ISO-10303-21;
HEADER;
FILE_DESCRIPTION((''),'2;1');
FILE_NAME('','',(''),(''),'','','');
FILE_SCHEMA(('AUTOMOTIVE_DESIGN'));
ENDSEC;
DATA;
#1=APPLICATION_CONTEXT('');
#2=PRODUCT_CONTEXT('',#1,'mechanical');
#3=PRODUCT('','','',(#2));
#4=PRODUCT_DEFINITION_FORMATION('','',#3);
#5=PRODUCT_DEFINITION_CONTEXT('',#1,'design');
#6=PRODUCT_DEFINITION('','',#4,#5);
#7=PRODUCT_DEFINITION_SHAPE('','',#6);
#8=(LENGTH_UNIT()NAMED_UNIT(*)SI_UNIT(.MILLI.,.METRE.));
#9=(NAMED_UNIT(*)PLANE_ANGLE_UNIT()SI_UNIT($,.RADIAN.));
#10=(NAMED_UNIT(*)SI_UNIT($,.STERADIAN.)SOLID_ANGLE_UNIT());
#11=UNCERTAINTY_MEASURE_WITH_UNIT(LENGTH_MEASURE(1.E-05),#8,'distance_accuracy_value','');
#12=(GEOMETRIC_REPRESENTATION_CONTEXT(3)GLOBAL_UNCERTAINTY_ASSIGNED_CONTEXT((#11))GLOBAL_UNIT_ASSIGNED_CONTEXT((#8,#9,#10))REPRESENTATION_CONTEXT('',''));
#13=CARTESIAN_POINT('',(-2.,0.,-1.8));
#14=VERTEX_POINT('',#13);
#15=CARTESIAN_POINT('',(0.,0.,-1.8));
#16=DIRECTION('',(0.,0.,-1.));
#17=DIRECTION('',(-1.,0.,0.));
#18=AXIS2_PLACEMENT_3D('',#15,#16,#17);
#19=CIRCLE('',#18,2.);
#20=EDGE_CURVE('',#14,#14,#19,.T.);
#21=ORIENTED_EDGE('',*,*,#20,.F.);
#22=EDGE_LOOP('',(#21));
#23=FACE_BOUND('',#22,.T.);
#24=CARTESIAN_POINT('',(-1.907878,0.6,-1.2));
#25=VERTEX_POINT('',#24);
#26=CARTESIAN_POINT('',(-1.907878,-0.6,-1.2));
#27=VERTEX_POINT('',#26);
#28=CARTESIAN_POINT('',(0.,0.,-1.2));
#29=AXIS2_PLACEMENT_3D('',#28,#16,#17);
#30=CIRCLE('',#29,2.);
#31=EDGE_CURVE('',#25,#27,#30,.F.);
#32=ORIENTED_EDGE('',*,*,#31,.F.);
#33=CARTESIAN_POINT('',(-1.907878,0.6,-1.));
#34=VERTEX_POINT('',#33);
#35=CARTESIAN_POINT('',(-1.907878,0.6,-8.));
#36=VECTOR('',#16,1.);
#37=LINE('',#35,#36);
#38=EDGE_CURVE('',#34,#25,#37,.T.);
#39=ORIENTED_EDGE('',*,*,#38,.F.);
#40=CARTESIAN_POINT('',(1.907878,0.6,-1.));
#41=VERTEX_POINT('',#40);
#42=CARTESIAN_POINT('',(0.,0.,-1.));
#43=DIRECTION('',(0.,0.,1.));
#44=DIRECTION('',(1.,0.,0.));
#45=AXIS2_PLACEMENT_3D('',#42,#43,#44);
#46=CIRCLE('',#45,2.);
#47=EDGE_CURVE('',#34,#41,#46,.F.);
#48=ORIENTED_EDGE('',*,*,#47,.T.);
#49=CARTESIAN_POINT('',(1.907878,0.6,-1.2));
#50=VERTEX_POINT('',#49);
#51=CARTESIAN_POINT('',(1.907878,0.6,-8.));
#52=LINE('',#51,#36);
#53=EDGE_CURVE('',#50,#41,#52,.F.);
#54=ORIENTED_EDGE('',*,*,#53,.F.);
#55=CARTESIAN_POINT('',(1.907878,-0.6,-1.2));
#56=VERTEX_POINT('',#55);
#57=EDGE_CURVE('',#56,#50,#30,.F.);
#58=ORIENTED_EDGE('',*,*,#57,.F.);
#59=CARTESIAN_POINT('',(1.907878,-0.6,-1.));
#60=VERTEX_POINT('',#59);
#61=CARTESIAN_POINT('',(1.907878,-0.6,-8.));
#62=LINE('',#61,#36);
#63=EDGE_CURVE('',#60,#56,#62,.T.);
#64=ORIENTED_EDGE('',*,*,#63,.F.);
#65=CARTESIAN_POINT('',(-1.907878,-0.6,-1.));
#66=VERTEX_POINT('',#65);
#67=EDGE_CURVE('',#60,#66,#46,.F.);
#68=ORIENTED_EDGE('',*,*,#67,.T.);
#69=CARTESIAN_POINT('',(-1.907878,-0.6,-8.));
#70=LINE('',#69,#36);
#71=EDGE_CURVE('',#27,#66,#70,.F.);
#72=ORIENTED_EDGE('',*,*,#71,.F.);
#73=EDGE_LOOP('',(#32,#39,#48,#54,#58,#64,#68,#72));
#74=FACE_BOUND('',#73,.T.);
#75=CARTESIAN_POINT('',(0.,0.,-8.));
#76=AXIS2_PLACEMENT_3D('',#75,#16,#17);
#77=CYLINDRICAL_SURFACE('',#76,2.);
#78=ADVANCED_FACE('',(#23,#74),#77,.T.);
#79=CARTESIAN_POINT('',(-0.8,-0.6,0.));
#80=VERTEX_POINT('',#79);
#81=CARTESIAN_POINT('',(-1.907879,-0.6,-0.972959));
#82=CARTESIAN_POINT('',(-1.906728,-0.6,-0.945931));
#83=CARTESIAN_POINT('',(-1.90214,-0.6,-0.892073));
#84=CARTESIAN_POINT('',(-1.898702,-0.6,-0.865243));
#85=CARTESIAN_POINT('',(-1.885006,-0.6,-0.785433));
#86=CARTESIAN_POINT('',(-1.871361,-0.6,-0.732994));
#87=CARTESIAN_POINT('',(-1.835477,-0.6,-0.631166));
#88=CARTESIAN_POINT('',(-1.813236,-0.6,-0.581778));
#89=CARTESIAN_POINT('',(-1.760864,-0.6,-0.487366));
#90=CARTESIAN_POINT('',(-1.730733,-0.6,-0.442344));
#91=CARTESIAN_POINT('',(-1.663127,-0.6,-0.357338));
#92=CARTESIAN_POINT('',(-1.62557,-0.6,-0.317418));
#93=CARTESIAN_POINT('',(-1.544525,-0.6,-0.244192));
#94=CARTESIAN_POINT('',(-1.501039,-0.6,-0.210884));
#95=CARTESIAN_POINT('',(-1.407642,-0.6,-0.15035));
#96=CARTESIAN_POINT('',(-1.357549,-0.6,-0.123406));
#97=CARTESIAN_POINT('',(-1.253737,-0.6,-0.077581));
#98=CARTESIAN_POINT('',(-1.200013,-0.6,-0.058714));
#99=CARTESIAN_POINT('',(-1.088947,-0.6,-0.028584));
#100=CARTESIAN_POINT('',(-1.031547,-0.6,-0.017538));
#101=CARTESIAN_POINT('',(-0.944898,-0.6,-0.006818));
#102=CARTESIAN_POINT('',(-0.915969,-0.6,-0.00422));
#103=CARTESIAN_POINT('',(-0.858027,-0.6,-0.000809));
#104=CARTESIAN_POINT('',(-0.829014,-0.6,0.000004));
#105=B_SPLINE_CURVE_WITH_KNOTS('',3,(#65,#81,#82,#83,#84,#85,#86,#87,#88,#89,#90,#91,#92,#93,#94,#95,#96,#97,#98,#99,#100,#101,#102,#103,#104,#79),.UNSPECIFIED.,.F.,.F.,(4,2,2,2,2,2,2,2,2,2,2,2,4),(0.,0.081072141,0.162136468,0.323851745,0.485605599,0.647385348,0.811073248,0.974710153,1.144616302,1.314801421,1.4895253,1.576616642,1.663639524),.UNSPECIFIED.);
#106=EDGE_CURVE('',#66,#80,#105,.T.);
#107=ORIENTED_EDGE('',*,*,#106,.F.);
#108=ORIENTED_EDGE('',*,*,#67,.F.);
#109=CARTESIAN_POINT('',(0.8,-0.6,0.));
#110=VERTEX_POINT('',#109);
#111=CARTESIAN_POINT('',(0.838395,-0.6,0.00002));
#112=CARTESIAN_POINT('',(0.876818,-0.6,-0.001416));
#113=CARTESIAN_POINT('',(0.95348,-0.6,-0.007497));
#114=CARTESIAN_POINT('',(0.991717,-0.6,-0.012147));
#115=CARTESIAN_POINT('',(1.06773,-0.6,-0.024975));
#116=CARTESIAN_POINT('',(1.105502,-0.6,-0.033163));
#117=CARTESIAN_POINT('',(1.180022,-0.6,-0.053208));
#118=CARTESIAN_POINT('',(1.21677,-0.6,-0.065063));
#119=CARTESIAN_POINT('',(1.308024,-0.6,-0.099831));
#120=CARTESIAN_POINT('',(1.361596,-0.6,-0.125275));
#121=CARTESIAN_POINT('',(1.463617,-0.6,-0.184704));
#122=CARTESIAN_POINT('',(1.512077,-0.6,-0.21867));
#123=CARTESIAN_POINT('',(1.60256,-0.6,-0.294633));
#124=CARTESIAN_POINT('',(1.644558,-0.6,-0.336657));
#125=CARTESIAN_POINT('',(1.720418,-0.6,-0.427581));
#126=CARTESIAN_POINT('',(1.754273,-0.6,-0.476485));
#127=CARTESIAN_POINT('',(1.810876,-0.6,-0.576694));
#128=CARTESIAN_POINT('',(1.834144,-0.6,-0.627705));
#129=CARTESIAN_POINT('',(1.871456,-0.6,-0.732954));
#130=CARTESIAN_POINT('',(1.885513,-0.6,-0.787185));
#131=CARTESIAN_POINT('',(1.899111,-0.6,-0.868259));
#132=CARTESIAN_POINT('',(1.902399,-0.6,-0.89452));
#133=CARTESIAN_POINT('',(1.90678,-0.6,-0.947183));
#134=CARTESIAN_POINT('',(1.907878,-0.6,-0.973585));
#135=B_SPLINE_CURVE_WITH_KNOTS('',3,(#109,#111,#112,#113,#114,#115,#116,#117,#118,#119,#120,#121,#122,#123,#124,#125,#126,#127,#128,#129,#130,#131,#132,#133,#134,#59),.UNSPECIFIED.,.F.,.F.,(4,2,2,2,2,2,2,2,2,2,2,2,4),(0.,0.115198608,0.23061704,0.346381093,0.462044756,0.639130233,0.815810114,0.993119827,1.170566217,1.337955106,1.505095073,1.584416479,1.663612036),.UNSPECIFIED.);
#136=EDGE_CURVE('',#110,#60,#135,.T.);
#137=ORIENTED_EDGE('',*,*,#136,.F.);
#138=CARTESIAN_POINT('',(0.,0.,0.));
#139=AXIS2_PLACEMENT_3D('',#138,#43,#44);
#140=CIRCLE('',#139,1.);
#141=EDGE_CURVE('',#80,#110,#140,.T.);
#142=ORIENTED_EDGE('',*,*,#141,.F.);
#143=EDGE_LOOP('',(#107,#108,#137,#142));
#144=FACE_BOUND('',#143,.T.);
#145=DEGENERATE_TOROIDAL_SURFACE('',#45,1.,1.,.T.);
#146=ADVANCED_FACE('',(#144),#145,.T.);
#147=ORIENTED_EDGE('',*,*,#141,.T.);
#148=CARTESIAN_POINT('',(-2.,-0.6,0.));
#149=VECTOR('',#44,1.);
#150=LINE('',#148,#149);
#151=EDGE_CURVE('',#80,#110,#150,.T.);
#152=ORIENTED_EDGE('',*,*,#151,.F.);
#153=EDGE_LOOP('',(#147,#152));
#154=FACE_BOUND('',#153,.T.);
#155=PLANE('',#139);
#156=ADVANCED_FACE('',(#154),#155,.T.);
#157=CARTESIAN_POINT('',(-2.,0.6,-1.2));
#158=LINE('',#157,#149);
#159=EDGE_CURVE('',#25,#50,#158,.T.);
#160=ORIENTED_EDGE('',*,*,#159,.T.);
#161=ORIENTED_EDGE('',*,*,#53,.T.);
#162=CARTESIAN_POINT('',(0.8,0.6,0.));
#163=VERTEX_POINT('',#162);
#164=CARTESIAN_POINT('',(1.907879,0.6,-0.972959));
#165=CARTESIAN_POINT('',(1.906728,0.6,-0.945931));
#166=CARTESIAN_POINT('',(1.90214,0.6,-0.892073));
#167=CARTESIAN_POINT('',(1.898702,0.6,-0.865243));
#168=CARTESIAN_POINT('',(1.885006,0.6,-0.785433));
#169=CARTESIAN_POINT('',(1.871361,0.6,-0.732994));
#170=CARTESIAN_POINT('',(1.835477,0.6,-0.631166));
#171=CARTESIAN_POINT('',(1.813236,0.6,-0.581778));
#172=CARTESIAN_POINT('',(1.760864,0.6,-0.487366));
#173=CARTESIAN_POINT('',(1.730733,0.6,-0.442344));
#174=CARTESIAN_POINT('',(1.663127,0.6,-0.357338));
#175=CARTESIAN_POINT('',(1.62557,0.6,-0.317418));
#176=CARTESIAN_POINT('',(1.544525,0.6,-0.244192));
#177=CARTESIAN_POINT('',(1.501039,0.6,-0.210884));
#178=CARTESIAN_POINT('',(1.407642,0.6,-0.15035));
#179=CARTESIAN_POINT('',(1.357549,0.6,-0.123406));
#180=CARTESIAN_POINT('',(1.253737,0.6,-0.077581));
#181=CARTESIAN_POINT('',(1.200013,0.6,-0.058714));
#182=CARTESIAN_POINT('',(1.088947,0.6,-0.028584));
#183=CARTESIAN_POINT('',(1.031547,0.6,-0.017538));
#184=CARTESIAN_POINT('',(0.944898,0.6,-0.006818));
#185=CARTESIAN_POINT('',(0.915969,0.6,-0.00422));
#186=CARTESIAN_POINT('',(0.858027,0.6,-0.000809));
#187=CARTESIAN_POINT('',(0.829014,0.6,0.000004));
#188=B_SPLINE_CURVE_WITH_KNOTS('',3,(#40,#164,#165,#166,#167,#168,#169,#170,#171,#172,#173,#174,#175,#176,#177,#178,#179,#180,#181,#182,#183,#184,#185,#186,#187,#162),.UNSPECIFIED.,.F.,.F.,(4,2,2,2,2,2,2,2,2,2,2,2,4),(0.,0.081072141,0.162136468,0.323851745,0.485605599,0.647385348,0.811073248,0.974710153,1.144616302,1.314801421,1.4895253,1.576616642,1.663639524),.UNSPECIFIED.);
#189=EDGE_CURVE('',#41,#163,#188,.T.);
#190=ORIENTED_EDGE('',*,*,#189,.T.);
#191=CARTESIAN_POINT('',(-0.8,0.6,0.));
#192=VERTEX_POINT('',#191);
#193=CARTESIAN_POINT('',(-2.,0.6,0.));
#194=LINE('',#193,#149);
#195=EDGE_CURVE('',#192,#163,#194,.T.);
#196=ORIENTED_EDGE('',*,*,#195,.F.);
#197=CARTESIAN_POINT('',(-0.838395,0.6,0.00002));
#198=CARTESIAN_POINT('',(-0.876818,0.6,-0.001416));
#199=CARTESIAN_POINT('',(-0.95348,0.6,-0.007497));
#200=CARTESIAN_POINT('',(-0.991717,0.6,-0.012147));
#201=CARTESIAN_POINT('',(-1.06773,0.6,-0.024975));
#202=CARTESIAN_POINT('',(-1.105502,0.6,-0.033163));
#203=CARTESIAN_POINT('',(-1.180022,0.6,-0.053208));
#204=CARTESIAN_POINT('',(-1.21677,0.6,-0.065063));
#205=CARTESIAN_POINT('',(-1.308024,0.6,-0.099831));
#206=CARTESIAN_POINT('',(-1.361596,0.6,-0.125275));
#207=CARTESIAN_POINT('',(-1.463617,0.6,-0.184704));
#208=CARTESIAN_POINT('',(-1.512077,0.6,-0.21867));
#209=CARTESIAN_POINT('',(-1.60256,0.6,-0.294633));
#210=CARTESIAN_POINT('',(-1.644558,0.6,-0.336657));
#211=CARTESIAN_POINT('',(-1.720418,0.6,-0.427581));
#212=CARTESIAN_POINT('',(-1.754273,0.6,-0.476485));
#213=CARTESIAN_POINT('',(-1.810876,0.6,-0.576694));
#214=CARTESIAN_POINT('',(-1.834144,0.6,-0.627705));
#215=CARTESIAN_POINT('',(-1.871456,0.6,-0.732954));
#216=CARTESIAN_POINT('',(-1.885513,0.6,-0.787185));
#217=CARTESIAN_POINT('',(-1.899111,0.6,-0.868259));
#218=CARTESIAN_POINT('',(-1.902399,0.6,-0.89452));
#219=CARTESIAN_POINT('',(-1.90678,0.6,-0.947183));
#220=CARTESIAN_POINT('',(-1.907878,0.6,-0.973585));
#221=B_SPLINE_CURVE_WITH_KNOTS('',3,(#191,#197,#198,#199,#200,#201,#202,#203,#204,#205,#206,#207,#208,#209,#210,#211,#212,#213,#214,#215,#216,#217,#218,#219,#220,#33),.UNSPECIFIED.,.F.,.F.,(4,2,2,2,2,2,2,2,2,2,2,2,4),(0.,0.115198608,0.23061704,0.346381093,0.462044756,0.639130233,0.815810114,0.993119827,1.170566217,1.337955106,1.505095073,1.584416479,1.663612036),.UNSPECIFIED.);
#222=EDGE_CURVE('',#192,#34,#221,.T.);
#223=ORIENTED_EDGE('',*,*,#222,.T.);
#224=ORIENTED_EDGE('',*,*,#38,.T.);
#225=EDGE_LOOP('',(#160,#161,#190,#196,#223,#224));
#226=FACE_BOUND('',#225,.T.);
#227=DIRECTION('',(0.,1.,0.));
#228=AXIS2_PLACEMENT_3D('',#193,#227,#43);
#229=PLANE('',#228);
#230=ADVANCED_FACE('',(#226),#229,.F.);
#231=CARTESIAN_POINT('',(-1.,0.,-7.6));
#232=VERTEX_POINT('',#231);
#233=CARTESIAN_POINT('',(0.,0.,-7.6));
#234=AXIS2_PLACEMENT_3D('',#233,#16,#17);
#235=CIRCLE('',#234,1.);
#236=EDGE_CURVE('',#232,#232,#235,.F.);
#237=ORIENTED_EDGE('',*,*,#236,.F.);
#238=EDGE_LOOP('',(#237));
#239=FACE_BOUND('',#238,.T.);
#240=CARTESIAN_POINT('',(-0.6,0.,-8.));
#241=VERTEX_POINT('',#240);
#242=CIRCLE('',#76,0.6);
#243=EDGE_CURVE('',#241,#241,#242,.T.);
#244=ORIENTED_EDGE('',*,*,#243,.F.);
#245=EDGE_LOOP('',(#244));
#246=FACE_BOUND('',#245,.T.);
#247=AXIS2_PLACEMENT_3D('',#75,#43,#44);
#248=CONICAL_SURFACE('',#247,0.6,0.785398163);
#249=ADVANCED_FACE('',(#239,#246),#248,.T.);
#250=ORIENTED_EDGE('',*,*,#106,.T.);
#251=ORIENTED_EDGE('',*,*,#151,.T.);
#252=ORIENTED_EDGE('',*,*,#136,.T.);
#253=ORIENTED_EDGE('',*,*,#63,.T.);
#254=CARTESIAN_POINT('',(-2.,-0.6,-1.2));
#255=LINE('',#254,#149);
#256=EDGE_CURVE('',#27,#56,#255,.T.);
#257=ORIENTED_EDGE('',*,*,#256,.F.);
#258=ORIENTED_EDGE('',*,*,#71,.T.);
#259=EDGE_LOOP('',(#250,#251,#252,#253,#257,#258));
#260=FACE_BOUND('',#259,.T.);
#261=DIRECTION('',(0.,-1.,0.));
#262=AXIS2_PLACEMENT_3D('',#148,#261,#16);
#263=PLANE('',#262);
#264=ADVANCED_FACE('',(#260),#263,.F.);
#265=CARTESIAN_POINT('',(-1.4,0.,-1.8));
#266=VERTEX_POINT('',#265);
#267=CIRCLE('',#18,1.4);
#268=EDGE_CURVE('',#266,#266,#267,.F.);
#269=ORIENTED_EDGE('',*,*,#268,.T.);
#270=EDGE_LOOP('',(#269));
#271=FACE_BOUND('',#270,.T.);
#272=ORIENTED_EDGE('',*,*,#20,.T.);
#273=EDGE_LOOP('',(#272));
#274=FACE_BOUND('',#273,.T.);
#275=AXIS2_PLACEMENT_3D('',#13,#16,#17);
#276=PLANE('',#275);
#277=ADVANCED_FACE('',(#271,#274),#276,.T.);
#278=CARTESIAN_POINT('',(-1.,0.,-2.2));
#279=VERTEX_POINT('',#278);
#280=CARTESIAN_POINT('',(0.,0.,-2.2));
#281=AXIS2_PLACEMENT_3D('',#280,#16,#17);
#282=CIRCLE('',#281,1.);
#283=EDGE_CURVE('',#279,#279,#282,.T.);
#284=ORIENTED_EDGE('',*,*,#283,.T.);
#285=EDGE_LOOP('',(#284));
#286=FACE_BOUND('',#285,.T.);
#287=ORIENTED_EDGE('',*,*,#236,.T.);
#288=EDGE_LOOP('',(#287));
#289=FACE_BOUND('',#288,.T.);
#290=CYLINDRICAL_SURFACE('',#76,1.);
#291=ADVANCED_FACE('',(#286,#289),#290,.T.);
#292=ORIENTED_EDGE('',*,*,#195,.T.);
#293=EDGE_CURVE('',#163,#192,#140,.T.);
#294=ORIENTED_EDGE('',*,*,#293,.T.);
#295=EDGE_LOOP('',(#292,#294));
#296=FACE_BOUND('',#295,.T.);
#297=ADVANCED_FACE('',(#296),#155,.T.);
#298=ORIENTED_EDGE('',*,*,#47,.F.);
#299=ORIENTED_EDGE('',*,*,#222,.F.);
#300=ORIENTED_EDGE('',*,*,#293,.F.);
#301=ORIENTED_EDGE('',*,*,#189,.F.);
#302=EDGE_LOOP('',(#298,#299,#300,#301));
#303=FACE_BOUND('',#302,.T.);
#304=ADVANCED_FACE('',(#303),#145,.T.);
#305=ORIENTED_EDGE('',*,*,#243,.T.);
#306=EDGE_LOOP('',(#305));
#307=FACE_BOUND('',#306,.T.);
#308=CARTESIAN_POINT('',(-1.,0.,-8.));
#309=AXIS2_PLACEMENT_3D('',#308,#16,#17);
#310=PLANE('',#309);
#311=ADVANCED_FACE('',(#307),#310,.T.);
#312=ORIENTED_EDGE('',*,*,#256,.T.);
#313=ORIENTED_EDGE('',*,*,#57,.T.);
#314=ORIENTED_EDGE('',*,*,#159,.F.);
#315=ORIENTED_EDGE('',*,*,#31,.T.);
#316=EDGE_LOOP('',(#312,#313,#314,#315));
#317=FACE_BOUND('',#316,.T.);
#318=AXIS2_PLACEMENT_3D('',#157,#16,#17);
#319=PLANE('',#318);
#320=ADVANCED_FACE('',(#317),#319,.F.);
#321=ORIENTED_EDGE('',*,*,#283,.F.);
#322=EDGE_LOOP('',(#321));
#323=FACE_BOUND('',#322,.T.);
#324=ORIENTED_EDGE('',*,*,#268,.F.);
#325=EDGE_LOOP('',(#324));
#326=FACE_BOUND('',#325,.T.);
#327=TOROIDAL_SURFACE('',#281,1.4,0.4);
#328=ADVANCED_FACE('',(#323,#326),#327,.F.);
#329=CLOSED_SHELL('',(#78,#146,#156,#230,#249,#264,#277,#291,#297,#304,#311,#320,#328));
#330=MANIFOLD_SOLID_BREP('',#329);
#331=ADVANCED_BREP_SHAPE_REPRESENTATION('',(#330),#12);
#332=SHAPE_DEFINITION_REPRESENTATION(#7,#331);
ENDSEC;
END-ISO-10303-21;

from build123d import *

# Parameters (mm, degrees)
SKETCH_2_W               = 1.2
SKETCH_2_H               = 1.2
CUT_EXTRUDE_1_DEPTH      = 3
CUT_EXTRUDE_1_DEPTH_BACK = 3
CHAMFER_1_SIZE           = 0.4
FILLET_1_R               = 1
FILLET_2_R               = 0.4


with BuildPart() as part:
    # Эскиз1 → Повернуть1 (revolve)
    with BuildSketch(Plane(origin=(0, 0, 0), x_dir=(1, 0, 0), z_dir=(0, 1, 0))):
        Polygon((0, 0), (-2, 0), (-2, 1.8), (-1, 1.8), (-1, 8), (0, 8), align=None)
    revolve(axis=Axis((0, 0, -8), (0, 0, 1)))

    # Эскиз2 → Вырез-Вытянуть1 (cut, two sides)
    with BuildSketch(Plane(origin=(0, 0, 0), x_dir=(0, 0, -1), z_dir=(1, 0, 0))) as cut_extrude_1_sk:
        with Locations((0.6, 0)):
            Rectangle(SKETCH_2_W, SKETCH_2_H)
    extrude(amount=CUT_EXTRUDE_1_DEPTH, mode=Mode.SUBTRACT)
    extrude(cut_extrude_1_sk.sketch, amount=-CUT_EXTRUDE_1_DEPTH_BACK, mode=Mode.SUBTRACT)

    # Фаска1
    chamfer_1_edges = [part.edges().sort_by_distance(p)[0] for p in [
        (1, 0, -8),
    ]]
    chamfer(chamfer_1_edges, length=CHAMFER_1_SIZE)

    # Скругление1
    fillet_1_edges = [part.edges().sort_by_distance(p)[0] for p in [
        (0, 2, 0),
        (0, -2, 0),
    ]]
    fillet(fillet_1_edges, radius=FILLET_1_R)

    # Скругление2
    fillet_2_edges = [part.edges().sort_by_distance(p)[0] for p in [
        (1, 0, -1.8),
    ]]
    fillet(fillet_2_edges, radius=FILLET_2_R)


solid = part.part
